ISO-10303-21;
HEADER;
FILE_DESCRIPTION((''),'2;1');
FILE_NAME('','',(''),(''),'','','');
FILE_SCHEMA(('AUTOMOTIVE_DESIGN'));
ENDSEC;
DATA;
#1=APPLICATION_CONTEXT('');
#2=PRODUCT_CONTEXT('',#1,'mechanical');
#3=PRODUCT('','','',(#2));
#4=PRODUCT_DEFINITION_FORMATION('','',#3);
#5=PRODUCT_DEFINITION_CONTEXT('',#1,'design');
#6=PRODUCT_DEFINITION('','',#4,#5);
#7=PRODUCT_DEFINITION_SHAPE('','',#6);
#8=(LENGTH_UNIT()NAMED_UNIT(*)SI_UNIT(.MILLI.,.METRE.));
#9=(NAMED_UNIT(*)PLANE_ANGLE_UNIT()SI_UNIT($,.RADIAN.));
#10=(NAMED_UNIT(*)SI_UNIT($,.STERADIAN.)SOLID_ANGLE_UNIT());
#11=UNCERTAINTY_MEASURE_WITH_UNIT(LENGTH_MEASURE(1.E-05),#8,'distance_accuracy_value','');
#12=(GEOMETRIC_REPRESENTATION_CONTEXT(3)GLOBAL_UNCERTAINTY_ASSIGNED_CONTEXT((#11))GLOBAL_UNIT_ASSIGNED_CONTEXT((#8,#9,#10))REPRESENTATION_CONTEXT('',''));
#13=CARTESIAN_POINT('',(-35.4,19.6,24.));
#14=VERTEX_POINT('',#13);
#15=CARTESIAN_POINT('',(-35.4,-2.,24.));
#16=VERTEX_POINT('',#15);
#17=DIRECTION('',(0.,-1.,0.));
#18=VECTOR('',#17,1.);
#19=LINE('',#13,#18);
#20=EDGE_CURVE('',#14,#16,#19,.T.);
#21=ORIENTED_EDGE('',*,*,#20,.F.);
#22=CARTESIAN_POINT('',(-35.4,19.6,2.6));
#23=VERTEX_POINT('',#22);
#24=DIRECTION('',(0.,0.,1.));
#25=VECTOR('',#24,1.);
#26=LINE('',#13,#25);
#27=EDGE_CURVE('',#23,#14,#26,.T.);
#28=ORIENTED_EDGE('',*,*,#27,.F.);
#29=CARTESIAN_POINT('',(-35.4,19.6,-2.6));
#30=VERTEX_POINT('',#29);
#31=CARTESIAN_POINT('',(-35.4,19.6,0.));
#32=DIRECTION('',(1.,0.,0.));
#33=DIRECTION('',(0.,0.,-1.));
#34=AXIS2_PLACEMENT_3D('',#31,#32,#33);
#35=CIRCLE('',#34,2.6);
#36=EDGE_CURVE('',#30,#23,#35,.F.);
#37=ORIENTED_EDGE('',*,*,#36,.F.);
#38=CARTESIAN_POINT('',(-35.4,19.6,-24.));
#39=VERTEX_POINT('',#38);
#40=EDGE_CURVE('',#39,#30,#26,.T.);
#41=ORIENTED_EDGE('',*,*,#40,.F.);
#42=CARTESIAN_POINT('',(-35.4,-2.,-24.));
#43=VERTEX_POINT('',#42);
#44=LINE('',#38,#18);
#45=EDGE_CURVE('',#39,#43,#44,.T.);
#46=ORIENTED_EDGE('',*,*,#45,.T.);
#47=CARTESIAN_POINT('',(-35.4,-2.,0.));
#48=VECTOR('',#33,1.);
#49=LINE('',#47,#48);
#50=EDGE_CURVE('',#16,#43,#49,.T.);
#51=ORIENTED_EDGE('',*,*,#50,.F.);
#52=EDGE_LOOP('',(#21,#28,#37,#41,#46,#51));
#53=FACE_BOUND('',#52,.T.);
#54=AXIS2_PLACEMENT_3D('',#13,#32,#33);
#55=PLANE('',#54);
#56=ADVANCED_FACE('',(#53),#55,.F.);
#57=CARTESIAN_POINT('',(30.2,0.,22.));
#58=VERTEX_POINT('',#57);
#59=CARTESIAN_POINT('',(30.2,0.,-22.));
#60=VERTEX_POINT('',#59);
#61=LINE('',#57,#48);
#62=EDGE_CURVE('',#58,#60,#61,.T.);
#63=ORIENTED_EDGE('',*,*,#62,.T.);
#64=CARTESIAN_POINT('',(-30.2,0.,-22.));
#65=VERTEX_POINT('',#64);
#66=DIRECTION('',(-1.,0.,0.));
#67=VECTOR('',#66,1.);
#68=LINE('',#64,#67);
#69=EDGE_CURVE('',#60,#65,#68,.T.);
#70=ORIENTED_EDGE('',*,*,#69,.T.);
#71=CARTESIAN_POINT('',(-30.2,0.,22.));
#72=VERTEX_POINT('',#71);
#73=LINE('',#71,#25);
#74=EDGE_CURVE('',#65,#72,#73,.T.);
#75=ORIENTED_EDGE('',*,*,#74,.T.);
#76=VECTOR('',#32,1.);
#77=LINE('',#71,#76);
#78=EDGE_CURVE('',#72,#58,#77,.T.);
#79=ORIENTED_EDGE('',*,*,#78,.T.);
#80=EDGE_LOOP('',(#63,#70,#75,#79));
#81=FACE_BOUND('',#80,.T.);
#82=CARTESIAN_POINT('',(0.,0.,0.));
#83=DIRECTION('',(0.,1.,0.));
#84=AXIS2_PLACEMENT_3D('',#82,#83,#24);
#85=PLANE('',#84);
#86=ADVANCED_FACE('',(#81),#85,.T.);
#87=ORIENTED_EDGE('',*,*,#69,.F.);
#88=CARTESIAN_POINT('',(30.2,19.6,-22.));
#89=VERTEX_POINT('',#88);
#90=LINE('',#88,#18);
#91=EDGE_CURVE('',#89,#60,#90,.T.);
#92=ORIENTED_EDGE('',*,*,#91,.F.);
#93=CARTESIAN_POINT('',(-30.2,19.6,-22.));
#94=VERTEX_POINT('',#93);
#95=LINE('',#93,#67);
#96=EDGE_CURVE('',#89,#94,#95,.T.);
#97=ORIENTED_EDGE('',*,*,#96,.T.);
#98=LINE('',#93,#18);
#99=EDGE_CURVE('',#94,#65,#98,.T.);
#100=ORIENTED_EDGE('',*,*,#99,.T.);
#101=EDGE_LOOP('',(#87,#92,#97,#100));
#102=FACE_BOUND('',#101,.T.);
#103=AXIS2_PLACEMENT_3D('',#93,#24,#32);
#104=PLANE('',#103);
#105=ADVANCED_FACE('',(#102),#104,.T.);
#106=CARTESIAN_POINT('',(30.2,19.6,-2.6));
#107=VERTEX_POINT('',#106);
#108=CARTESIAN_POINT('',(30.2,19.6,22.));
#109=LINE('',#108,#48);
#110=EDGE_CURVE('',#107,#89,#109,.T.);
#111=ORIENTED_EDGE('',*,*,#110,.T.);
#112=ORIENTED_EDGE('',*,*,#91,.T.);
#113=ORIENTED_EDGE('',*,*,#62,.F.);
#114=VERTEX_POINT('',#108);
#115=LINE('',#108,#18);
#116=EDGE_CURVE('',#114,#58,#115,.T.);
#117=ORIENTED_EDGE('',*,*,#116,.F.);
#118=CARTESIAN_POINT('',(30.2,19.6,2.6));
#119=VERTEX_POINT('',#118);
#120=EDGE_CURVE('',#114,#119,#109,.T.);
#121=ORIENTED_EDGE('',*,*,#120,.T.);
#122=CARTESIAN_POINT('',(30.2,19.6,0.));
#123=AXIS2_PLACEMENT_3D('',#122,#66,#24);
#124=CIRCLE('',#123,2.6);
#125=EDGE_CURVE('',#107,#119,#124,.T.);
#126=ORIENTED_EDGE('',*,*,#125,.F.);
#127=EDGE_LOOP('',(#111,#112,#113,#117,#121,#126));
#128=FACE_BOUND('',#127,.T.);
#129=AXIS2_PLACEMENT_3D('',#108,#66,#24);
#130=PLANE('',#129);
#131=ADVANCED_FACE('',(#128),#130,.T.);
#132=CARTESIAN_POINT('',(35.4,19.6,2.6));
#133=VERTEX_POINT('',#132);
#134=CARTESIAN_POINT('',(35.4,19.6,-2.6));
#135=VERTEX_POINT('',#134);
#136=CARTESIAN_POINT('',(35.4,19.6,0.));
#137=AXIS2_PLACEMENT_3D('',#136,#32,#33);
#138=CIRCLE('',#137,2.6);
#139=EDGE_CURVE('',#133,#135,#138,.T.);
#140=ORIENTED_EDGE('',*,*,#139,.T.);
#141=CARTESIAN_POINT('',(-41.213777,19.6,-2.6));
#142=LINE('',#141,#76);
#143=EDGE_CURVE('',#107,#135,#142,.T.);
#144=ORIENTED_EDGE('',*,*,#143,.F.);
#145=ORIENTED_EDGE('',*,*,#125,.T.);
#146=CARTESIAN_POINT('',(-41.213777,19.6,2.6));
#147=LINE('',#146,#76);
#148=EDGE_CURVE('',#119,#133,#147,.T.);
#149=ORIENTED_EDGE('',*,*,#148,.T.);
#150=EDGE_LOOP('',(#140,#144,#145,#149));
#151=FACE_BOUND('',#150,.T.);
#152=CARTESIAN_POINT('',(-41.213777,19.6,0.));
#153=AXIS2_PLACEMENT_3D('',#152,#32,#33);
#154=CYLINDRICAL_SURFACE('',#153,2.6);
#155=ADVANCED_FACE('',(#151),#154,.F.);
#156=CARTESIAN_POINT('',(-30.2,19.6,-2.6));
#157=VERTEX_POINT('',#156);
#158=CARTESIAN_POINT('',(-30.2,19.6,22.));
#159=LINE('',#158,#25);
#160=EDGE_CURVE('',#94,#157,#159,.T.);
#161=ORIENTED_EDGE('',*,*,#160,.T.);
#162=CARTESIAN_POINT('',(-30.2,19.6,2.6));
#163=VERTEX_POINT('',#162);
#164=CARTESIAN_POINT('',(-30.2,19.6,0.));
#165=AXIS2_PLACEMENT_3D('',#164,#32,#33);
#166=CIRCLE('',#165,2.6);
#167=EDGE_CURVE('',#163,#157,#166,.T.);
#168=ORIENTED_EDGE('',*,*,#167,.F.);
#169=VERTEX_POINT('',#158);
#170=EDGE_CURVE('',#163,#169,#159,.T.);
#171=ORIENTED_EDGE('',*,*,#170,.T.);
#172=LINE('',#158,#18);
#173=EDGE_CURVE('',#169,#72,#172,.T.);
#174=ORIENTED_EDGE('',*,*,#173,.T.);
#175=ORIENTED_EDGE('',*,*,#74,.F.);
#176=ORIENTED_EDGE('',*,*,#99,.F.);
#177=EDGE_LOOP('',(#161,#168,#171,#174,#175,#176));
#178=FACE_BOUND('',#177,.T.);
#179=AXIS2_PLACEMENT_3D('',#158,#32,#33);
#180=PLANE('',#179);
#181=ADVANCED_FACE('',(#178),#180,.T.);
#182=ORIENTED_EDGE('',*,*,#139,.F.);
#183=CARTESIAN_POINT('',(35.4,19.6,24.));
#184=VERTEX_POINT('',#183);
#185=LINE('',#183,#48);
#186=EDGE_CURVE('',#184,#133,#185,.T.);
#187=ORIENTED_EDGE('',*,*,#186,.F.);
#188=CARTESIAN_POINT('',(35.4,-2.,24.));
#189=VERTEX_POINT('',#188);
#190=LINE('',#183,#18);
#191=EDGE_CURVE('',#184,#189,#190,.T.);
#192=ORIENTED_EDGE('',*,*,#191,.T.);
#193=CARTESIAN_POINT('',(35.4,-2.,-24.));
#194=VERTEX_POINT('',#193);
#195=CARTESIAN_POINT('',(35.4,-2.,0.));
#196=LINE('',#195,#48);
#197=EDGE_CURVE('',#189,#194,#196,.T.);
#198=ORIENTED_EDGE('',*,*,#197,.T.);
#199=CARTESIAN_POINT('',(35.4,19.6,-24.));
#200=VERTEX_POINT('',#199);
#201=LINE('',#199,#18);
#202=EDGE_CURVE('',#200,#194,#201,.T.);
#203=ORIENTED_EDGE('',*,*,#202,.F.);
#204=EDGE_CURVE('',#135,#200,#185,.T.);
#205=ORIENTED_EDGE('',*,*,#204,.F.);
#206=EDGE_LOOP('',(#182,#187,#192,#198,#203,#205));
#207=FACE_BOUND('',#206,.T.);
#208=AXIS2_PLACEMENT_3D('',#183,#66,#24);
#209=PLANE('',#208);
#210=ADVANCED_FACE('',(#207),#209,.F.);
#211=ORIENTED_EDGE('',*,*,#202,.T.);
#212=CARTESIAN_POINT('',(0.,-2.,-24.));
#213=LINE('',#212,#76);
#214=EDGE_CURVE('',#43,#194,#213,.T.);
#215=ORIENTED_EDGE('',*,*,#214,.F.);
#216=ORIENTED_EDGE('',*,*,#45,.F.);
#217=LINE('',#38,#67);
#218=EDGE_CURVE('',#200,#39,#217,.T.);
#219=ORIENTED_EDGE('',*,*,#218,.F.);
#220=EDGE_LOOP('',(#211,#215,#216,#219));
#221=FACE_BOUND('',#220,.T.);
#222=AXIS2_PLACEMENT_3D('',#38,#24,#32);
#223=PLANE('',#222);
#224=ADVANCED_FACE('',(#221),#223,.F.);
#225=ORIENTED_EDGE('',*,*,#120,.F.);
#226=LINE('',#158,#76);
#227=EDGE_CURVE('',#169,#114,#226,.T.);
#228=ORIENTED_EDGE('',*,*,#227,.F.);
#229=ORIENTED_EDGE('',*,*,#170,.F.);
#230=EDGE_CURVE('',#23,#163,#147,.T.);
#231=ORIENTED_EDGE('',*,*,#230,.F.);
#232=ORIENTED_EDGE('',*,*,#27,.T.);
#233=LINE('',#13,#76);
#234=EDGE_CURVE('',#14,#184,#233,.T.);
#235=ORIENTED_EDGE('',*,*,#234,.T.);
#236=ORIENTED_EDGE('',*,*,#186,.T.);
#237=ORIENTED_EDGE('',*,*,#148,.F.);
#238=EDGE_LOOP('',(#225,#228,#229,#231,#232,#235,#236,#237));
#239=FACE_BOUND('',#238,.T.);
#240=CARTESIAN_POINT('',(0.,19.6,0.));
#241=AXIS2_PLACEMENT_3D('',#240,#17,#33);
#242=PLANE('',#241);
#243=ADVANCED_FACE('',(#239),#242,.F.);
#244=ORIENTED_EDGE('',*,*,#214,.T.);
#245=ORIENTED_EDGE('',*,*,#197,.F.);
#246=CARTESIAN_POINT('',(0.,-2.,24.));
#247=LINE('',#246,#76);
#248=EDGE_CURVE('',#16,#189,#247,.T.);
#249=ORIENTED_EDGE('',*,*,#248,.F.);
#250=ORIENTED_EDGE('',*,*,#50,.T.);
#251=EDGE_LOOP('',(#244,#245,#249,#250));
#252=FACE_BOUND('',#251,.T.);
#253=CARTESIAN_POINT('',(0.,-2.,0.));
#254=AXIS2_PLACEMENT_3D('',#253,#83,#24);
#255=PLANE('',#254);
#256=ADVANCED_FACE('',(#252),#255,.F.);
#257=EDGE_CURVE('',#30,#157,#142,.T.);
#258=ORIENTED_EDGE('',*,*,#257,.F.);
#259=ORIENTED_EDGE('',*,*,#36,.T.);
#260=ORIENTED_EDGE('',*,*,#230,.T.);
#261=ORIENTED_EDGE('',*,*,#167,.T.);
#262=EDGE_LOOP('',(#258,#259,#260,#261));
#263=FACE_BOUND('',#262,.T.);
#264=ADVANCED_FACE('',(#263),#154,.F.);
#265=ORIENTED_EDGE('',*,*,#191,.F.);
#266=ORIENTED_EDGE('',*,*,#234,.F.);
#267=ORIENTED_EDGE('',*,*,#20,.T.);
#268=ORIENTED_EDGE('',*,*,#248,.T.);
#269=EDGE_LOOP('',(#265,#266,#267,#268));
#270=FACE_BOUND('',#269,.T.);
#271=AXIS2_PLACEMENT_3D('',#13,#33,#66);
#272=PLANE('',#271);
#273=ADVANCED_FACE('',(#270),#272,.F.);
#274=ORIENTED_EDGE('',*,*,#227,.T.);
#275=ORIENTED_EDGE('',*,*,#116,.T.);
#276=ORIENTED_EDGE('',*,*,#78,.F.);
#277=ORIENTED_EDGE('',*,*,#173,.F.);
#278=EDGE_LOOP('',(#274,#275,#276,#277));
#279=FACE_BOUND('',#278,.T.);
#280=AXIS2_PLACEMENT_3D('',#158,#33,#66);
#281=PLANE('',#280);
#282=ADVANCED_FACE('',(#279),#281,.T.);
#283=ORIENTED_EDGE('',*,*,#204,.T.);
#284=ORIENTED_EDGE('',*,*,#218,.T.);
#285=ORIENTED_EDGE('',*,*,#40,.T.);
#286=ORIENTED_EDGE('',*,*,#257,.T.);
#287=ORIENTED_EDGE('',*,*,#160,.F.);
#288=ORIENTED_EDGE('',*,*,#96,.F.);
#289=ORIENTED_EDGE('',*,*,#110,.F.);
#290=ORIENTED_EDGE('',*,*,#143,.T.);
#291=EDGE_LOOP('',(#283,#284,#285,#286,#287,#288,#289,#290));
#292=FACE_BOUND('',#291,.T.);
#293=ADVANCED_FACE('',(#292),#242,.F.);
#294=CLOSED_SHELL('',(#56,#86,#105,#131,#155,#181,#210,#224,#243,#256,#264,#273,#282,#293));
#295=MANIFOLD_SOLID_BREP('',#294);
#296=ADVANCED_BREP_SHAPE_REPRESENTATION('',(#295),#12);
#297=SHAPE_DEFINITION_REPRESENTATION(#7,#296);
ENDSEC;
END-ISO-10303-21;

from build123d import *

# Parameters (mm, degrees)
CROQUIS1_W              = 70.8
CROQUIS1_H              = 48
CROQUIS1_W_2            = 60.4
CROQUIS1_H_2            = 44
SALIENTE_EXTRUIR1_DEPTH = 19.6
CROQUIS1_2_W            = 70.8
CROQUIS1_2_H            = 48
CROQUIS1_2_W_2          = 60.4
CROQUIS1_2_H_2          = 44
SALIENTE_EXTRUIR2_DEPTH = 2
CORTAR_EXTRUIR1_REACH   = 79.284


with BuildPart() as part:
    # Croquis1 → Saliente-Extruir1 (new body)
    with BuildSketch(Plane(origin=(0, 0, 0), x_dir=(1, 0, 0), z_dir=(0, 1, 0))):
        Rectangle(CROQUIS1_W, CROQUIS1_H)
        Rectangle(CROQUIS1_W_2, CROQUIS1_H_2, mode=Mode.SUBTRACT)
    extrude(amount=SALIENTE_EXTRUIR1_DEPTH)

    # Croquis1<2> → Saliente-Extruir2 (add)
    # profile 1 of 2: a face of its own
    with BuildSketch(Plane(origin=(0, 0, 0), x_dir=(1, 0, 0), z_dir=(0, 1, 0))):
        Rectangle(CROQUIS1_2_W, CROQUIS1_2_H)
        Rectangle(CROQUIS1_2_W_2, CROQUIS1_2_H_2, mode=Mode.SUBTRACT)
    # profile 2 of 2: a face of its own
    with BuildSketch(Plane(origin=(0, 0, 0), x_dir=(1, 0, 0), z_dir=(0, 1, 0))):
        Rectangle(CROQUIS1_2_W_2, CROQUIS1_2_H_2)
    extrude(amount=-SALIENTE_EXTRUIR2_DEPTH)

    # Cortar-Extruir1: up to this face of the body (flat: up to its plane)
    cortar_extruir1_end = Plane(part.part.faces().sort_by_distance((-35.4, 8.8, 0))[0])
    # Croquis2 → Cortar-Extruir1 (cut, up to the picked face)
    with BuildSketch(Plane(origin=(35.4, 0, 0), x_dir=(0, 0, -1), z_dir=(1, 0, 0)), mode=Mode.PRIVATE) as cortar_extruir1_sk1:
        with BuildLine():
            Line((-2.6, 19.6), (2.6, 19.6))
            ThreePointArc((2.6, 19.6), (0, 17), (-2.6, 19.6))
        make_face()
    cortar_extruir1_tool1 = split(extrude(cortar_extruir1_sk1.sketch, amount=-CORTAR_EXTRUIR1_REACH, mode=Mode.PRIVATE), bisect_by=cortar_extruir1_end, keep=Keep.BOTH, mode=Mode.PRIVATE)
    add(cortar_extruir1_tool1.solids().sort_by(Axis((35.4, 18.496526, 0), (-1, 0, 0)))[0], mode=Mode.SUBTRACT)


solid = part.part
